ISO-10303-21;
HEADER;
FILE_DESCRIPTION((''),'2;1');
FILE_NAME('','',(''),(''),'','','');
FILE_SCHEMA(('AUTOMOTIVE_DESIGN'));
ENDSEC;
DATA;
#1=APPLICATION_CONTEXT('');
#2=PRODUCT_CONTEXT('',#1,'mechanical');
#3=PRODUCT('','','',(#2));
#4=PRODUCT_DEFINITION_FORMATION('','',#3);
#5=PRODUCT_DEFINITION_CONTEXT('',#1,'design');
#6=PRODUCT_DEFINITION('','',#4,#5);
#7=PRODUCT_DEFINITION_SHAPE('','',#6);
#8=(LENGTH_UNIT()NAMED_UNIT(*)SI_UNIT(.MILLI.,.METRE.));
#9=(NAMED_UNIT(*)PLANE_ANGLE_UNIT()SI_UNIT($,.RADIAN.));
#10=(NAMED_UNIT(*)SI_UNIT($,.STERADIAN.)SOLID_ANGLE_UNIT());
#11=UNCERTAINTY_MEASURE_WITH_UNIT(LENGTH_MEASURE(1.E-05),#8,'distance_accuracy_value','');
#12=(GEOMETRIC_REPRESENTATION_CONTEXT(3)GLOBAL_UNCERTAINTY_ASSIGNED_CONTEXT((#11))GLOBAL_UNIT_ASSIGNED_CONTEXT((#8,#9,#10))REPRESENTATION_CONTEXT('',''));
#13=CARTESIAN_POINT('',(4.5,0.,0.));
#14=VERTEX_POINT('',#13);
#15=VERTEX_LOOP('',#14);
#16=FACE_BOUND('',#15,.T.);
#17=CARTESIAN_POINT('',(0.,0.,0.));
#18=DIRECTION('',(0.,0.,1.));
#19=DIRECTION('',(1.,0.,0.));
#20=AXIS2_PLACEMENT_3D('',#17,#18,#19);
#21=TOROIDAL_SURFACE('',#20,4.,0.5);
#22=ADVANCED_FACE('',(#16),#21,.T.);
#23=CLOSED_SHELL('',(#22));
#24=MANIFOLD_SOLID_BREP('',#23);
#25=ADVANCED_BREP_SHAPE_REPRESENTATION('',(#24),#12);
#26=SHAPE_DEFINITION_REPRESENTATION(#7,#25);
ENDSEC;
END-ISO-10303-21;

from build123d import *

# Parameters (mm, degrees)
SKETCH1_R = 0.5


with BuildPart() as part:
    # Sketch1 → Revolve1 (revolve)
    with BuildSketch(Plane(origin=(0, 0, 0), x_dir=(0, -1, 0), z_dir=(1, 0, 0))):
        with Locations((4, 0)):
            Circle(SKETCH1_R)
    revolve(axis=Axis((0, 0, 0.5), (0, 0, -1)))


solid = part.part
